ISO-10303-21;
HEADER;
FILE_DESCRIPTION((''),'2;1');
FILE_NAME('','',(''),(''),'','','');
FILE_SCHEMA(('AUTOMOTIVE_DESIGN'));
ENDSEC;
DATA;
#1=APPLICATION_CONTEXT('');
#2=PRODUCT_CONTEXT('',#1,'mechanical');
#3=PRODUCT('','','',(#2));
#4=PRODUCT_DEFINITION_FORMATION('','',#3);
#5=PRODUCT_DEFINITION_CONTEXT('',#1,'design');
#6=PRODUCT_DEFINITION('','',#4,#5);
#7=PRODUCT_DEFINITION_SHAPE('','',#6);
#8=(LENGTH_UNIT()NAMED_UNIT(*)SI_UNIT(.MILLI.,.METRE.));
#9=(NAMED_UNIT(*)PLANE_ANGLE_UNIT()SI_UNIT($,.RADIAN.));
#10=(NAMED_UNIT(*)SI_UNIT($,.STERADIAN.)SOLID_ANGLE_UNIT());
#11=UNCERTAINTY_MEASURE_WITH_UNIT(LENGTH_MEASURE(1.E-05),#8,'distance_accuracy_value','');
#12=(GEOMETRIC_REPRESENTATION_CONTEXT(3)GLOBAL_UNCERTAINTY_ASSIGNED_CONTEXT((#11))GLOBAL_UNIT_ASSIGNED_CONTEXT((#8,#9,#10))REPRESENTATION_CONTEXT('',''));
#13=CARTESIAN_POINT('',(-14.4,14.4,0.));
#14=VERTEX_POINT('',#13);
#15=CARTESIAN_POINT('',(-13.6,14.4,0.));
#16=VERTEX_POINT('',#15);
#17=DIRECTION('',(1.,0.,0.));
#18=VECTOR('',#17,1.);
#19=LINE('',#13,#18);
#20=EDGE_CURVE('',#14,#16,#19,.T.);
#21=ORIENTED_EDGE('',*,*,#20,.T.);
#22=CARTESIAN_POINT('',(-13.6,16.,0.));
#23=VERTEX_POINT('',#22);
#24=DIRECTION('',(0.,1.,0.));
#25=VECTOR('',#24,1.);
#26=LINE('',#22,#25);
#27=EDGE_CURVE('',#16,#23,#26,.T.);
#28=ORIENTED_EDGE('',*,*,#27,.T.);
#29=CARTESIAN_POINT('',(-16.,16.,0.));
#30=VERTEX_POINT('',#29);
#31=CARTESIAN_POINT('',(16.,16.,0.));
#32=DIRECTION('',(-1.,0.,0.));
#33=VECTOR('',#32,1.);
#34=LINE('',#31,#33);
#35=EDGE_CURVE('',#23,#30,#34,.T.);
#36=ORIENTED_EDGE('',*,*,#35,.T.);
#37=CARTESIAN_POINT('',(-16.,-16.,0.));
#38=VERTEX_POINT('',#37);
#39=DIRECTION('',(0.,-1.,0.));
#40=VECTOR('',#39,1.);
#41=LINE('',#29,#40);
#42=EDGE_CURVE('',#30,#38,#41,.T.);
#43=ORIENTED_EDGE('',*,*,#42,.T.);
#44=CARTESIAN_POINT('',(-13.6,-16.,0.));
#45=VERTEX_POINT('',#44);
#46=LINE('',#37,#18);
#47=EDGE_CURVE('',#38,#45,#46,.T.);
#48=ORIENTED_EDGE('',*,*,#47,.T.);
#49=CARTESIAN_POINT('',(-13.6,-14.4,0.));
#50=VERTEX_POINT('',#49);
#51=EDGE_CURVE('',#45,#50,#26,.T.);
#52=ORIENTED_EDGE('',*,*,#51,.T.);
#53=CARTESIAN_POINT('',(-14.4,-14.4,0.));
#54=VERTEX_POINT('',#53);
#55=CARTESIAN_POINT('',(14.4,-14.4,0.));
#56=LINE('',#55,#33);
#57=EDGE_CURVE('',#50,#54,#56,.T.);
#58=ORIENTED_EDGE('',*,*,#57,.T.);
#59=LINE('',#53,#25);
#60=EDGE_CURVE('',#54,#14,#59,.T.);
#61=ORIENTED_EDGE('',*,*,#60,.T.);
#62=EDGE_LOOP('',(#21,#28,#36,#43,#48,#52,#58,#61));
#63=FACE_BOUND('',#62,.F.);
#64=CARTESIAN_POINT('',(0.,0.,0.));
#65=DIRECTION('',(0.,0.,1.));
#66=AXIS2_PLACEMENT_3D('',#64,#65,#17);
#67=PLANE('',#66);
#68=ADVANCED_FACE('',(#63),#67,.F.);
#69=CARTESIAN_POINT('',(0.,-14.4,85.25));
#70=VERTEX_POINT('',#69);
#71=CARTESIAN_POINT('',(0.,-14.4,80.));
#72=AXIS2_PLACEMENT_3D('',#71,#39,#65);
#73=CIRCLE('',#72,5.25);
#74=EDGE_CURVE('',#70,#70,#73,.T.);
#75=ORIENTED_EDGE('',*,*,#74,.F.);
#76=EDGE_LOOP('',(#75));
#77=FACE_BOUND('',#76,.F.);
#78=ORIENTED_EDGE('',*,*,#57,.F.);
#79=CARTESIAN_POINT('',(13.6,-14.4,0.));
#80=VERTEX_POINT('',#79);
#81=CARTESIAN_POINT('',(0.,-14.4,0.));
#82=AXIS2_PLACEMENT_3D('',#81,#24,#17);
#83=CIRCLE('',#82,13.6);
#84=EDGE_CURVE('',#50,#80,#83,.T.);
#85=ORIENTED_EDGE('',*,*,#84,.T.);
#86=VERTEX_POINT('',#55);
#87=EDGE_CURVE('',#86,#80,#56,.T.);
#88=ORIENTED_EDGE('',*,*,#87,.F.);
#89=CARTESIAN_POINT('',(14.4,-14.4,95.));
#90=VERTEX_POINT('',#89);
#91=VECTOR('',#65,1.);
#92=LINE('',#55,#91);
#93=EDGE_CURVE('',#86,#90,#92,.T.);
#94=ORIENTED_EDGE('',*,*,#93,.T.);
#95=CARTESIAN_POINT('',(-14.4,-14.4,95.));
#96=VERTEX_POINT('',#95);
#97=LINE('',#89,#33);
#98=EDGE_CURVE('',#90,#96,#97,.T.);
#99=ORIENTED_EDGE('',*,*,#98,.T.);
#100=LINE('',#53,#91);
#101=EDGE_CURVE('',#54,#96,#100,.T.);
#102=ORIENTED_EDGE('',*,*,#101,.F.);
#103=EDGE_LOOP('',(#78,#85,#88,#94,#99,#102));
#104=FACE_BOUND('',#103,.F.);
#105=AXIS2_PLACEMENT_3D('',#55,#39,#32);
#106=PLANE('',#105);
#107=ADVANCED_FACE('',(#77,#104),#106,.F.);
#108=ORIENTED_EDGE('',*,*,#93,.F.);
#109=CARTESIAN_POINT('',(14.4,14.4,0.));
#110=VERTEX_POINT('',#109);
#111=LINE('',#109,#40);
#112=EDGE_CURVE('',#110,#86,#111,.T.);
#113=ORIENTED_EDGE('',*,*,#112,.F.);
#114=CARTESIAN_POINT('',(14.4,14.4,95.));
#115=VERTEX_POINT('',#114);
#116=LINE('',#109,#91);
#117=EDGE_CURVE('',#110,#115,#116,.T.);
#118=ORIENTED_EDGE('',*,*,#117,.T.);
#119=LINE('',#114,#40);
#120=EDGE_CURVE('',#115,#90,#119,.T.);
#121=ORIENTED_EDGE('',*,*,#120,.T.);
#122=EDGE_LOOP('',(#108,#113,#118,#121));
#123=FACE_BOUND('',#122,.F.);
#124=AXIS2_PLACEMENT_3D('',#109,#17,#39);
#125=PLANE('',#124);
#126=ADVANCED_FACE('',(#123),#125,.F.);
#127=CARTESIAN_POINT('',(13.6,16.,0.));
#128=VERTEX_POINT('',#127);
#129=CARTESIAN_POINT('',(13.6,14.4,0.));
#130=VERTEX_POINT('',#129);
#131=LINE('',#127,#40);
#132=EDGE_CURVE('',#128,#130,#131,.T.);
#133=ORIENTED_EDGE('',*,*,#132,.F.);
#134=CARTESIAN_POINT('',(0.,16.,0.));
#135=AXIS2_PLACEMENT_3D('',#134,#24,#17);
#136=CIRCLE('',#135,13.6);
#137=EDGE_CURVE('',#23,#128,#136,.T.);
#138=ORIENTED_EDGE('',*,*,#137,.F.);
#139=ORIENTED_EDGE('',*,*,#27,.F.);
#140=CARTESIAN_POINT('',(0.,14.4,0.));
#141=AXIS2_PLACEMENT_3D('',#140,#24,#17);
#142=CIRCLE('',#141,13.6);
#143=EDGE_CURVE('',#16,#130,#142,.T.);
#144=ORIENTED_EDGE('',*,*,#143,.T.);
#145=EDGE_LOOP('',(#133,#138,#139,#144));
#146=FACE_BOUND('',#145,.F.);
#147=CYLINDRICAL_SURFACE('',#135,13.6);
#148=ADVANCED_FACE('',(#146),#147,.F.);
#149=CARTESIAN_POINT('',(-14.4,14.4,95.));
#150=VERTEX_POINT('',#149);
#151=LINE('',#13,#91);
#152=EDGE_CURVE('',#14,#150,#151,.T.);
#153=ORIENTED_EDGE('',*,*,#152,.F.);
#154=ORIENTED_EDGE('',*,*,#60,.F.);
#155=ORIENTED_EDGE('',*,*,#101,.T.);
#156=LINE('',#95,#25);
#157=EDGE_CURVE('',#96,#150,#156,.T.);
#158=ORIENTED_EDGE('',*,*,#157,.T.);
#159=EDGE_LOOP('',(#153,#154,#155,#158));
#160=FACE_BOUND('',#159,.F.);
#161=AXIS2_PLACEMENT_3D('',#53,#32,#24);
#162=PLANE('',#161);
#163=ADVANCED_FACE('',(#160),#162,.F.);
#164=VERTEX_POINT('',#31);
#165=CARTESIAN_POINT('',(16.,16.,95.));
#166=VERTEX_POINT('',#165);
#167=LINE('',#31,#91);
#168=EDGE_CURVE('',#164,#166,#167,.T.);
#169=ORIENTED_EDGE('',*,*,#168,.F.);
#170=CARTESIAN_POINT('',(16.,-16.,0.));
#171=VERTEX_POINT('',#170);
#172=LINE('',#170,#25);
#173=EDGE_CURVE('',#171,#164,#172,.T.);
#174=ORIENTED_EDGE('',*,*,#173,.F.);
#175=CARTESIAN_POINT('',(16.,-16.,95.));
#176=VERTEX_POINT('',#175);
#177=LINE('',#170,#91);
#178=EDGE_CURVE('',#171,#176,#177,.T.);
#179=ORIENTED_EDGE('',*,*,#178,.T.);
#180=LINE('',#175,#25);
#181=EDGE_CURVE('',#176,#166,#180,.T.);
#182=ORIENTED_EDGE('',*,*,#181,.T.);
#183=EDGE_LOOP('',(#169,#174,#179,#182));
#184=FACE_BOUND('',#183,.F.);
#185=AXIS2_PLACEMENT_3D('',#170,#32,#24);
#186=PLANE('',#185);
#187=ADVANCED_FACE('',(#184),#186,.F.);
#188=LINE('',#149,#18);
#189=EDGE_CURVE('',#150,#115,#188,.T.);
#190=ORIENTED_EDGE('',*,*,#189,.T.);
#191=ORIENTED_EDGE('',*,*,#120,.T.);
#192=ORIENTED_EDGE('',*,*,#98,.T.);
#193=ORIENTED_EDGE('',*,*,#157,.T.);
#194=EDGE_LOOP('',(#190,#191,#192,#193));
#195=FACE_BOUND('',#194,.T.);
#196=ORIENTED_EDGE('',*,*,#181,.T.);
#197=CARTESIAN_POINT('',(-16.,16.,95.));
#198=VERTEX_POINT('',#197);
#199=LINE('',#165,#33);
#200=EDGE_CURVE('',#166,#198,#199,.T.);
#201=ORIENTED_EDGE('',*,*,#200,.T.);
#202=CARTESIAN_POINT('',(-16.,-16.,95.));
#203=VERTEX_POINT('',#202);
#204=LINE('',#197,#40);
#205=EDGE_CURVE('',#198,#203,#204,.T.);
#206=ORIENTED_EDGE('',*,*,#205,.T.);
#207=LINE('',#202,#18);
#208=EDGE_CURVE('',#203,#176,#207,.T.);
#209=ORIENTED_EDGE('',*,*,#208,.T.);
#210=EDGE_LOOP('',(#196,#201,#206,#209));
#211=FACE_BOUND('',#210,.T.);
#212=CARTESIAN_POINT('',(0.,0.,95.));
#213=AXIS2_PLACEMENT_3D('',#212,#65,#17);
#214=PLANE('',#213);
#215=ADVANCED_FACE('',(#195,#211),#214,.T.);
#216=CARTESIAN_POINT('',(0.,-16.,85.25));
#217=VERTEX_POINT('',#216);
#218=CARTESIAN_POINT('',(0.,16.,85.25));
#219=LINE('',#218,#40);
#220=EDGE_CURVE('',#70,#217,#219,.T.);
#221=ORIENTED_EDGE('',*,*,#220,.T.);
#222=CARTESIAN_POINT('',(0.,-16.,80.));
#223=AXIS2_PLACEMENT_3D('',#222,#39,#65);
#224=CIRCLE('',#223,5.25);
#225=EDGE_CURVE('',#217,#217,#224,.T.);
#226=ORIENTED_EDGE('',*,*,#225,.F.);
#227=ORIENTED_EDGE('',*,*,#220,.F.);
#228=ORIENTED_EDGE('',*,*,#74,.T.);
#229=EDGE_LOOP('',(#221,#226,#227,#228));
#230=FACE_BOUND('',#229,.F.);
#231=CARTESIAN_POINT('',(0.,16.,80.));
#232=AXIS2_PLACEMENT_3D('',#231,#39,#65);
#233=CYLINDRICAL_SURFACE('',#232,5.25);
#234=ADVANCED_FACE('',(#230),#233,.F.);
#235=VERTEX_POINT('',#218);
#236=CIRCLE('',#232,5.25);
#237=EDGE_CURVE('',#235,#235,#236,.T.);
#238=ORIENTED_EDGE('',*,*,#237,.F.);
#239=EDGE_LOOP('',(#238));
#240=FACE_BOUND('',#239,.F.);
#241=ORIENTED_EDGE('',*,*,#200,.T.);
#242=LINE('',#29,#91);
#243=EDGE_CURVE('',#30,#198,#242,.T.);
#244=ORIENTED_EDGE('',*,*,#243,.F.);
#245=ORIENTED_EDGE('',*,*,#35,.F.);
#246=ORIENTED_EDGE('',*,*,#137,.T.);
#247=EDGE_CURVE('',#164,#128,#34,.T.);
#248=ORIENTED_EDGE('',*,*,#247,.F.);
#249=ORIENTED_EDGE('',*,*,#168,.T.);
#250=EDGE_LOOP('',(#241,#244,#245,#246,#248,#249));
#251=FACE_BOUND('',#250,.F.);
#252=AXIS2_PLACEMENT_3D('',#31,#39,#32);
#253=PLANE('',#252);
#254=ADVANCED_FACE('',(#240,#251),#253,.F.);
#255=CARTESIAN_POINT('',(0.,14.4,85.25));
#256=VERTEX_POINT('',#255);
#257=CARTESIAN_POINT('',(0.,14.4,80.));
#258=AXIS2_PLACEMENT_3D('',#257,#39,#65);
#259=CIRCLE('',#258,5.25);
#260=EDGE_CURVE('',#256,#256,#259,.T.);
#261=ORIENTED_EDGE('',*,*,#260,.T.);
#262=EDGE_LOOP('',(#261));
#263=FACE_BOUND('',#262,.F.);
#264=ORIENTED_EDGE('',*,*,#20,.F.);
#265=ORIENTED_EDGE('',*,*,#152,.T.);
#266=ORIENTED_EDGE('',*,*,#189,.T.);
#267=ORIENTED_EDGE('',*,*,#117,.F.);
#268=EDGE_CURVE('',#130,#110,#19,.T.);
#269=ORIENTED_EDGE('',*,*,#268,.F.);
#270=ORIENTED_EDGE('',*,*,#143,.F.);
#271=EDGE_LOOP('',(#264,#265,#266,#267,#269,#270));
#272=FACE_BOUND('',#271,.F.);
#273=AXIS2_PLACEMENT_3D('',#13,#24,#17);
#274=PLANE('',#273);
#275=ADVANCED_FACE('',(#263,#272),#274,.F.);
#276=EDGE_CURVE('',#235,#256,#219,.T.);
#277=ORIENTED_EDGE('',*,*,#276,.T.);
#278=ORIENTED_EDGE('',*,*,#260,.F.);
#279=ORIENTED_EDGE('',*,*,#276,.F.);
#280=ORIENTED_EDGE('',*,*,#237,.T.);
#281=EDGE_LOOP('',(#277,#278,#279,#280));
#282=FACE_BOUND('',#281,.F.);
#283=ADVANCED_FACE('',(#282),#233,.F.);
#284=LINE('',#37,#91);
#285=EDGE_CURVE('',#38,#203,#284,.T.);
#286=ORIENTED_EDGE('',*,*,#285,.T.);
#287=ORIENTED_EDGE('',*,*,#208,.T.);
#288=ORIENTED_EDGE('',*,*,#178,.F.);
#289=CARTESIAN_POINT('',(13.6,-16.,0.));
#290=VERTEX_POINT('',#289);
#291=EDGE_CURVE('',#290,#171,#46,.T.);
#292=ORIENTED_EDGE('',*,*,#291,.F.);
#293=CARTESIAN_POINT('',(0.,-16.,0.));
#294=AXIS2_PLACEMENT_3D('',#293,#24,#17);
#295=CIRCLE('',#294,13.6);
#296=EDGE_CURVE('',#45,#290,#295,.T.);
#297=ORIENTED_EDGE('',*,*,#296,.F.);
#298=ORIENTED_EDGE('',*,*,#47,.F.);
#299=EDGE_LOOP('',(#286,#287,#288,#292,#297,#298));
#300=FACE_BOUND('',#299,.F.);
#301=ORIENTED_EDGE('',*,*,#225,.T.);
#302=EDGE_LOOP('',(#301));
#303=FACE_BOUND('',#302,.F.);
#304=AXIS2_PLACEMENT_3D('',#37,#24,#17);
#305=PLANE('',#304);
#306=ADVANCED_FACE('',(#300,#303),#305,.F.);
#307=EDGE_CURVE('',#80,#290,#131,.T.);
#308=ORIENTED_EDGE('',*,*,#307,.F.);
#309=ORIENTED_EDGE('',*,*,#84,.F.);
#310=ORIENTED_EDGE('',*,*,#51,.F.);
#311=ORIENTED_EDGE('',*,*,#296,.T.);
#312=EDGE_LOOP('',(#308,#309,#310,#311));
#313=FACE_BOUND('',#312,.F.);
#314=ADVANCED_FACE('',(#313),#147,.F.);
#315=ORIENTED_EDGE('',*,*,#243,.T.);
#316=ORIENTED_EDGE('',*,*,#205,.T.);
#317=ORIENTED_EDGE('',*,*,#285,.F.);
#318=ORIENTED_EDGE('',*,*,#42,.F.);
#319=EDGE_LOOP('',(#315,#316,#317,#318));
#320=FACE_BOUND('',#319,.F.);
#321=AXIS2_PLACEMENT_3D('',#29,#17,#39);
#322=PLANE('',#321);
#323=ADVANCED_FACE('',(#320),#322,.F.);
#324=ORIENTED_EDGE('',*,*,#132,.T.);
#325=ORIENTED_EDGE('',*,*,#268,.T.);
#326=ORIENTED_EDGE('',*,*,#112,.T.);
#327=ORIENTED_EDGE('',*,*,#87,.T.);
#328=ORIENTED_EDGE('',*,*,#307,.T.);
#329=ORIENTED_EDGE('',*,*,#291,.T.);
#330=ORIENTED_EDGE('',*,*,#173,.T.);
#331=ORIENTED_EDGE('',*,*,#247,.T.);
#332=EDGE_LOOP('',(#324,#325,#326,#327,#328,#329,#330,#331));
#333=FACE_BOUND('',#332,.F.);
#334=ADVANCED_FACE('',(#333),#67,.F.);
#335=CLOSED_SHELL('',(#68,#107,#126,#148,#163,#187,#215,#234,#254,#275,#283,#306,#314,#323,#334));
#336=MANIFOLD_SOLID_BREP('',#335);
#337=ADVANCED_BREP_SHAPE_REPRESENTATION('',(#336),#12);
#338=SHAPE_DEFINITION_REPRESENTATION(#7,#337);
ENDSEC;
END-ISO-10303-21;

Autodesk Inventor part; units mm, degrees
ref_plane "YZ Plane" through (0, 0, 0) normal (1, 0, 0) x (0, 1, 0)
ref_plane "XZ Plane" through (0, 0, 0) normal (0, 1, 0) x (-1, 0, 0)
ref_plane "XY Plane" through (0, 0, 0) normal (0, 0, 1) x (1, 0, 0)
sketch "スケッチ1" plane through (0, 0, 0) normal (0, 0, 1) x (1, 0, 0)
  line L0 (-16, -16) -> (16, -16)
  line L1 (16, -16) -> (16, 16)
  line L2 (16, 16) -> (-16, 16)
  line L3 (-16, 16) -> (-16, -16)
  line L4 (-16, -16) -> (16, 16) construction
  line L5 (16, -16) -> (-16, 16) construction
  line L6 (-14.4, 14.4) -> (14.4, 14.4)
  line L7 (14.4, 14.4) -> (14.4, -14.4)
  line L8 (14.4, -14.4) -> (-14.4, -14.4)
  line L9 (-14.4, -14.4) -> (-14.4, 14.4)
  point P0 (0, 0)
  dimension "d0" = 32
  dimension "d1" = 32
  dimension "d2" = 1.6
extrude "押し出し1" add sketch "スケッチ1" along normal blind 95
sketch "スケッチ2" plane through (-16, 16, 0) normal (0, 1, 0) x (1, 0, 0)
  circle A0 centre (16, 0) radius 13.6
  dimension "d5" = 27.2
extrude "押し出し2" cut sketch "スケッチ2" against normal blind 32
sketch "スケッチ3" plane through (-16, 16, 95) normal (0, 1, 0) x (1, 0, 0)
  line L0 (32, 0) -> (0, 0) projected
  point P0 (16, 95)
  point P1 (16, 15)
  dimension "d16" = 80
hole "穴1" at (0, 16, 80) direction (0, -1, 0) diameter 10.5 end through all
sketch "スケッチ4" plane through (-16, 16, 95) normal (0, 1, 0) x (1, 0, 0)
  circle A0 centre (16, 15) radius 13.6
  point P0 (16, 95)
  dimension "d17" = 80
  dimension "d18" = 27.2
properties part number "軸受上用"
